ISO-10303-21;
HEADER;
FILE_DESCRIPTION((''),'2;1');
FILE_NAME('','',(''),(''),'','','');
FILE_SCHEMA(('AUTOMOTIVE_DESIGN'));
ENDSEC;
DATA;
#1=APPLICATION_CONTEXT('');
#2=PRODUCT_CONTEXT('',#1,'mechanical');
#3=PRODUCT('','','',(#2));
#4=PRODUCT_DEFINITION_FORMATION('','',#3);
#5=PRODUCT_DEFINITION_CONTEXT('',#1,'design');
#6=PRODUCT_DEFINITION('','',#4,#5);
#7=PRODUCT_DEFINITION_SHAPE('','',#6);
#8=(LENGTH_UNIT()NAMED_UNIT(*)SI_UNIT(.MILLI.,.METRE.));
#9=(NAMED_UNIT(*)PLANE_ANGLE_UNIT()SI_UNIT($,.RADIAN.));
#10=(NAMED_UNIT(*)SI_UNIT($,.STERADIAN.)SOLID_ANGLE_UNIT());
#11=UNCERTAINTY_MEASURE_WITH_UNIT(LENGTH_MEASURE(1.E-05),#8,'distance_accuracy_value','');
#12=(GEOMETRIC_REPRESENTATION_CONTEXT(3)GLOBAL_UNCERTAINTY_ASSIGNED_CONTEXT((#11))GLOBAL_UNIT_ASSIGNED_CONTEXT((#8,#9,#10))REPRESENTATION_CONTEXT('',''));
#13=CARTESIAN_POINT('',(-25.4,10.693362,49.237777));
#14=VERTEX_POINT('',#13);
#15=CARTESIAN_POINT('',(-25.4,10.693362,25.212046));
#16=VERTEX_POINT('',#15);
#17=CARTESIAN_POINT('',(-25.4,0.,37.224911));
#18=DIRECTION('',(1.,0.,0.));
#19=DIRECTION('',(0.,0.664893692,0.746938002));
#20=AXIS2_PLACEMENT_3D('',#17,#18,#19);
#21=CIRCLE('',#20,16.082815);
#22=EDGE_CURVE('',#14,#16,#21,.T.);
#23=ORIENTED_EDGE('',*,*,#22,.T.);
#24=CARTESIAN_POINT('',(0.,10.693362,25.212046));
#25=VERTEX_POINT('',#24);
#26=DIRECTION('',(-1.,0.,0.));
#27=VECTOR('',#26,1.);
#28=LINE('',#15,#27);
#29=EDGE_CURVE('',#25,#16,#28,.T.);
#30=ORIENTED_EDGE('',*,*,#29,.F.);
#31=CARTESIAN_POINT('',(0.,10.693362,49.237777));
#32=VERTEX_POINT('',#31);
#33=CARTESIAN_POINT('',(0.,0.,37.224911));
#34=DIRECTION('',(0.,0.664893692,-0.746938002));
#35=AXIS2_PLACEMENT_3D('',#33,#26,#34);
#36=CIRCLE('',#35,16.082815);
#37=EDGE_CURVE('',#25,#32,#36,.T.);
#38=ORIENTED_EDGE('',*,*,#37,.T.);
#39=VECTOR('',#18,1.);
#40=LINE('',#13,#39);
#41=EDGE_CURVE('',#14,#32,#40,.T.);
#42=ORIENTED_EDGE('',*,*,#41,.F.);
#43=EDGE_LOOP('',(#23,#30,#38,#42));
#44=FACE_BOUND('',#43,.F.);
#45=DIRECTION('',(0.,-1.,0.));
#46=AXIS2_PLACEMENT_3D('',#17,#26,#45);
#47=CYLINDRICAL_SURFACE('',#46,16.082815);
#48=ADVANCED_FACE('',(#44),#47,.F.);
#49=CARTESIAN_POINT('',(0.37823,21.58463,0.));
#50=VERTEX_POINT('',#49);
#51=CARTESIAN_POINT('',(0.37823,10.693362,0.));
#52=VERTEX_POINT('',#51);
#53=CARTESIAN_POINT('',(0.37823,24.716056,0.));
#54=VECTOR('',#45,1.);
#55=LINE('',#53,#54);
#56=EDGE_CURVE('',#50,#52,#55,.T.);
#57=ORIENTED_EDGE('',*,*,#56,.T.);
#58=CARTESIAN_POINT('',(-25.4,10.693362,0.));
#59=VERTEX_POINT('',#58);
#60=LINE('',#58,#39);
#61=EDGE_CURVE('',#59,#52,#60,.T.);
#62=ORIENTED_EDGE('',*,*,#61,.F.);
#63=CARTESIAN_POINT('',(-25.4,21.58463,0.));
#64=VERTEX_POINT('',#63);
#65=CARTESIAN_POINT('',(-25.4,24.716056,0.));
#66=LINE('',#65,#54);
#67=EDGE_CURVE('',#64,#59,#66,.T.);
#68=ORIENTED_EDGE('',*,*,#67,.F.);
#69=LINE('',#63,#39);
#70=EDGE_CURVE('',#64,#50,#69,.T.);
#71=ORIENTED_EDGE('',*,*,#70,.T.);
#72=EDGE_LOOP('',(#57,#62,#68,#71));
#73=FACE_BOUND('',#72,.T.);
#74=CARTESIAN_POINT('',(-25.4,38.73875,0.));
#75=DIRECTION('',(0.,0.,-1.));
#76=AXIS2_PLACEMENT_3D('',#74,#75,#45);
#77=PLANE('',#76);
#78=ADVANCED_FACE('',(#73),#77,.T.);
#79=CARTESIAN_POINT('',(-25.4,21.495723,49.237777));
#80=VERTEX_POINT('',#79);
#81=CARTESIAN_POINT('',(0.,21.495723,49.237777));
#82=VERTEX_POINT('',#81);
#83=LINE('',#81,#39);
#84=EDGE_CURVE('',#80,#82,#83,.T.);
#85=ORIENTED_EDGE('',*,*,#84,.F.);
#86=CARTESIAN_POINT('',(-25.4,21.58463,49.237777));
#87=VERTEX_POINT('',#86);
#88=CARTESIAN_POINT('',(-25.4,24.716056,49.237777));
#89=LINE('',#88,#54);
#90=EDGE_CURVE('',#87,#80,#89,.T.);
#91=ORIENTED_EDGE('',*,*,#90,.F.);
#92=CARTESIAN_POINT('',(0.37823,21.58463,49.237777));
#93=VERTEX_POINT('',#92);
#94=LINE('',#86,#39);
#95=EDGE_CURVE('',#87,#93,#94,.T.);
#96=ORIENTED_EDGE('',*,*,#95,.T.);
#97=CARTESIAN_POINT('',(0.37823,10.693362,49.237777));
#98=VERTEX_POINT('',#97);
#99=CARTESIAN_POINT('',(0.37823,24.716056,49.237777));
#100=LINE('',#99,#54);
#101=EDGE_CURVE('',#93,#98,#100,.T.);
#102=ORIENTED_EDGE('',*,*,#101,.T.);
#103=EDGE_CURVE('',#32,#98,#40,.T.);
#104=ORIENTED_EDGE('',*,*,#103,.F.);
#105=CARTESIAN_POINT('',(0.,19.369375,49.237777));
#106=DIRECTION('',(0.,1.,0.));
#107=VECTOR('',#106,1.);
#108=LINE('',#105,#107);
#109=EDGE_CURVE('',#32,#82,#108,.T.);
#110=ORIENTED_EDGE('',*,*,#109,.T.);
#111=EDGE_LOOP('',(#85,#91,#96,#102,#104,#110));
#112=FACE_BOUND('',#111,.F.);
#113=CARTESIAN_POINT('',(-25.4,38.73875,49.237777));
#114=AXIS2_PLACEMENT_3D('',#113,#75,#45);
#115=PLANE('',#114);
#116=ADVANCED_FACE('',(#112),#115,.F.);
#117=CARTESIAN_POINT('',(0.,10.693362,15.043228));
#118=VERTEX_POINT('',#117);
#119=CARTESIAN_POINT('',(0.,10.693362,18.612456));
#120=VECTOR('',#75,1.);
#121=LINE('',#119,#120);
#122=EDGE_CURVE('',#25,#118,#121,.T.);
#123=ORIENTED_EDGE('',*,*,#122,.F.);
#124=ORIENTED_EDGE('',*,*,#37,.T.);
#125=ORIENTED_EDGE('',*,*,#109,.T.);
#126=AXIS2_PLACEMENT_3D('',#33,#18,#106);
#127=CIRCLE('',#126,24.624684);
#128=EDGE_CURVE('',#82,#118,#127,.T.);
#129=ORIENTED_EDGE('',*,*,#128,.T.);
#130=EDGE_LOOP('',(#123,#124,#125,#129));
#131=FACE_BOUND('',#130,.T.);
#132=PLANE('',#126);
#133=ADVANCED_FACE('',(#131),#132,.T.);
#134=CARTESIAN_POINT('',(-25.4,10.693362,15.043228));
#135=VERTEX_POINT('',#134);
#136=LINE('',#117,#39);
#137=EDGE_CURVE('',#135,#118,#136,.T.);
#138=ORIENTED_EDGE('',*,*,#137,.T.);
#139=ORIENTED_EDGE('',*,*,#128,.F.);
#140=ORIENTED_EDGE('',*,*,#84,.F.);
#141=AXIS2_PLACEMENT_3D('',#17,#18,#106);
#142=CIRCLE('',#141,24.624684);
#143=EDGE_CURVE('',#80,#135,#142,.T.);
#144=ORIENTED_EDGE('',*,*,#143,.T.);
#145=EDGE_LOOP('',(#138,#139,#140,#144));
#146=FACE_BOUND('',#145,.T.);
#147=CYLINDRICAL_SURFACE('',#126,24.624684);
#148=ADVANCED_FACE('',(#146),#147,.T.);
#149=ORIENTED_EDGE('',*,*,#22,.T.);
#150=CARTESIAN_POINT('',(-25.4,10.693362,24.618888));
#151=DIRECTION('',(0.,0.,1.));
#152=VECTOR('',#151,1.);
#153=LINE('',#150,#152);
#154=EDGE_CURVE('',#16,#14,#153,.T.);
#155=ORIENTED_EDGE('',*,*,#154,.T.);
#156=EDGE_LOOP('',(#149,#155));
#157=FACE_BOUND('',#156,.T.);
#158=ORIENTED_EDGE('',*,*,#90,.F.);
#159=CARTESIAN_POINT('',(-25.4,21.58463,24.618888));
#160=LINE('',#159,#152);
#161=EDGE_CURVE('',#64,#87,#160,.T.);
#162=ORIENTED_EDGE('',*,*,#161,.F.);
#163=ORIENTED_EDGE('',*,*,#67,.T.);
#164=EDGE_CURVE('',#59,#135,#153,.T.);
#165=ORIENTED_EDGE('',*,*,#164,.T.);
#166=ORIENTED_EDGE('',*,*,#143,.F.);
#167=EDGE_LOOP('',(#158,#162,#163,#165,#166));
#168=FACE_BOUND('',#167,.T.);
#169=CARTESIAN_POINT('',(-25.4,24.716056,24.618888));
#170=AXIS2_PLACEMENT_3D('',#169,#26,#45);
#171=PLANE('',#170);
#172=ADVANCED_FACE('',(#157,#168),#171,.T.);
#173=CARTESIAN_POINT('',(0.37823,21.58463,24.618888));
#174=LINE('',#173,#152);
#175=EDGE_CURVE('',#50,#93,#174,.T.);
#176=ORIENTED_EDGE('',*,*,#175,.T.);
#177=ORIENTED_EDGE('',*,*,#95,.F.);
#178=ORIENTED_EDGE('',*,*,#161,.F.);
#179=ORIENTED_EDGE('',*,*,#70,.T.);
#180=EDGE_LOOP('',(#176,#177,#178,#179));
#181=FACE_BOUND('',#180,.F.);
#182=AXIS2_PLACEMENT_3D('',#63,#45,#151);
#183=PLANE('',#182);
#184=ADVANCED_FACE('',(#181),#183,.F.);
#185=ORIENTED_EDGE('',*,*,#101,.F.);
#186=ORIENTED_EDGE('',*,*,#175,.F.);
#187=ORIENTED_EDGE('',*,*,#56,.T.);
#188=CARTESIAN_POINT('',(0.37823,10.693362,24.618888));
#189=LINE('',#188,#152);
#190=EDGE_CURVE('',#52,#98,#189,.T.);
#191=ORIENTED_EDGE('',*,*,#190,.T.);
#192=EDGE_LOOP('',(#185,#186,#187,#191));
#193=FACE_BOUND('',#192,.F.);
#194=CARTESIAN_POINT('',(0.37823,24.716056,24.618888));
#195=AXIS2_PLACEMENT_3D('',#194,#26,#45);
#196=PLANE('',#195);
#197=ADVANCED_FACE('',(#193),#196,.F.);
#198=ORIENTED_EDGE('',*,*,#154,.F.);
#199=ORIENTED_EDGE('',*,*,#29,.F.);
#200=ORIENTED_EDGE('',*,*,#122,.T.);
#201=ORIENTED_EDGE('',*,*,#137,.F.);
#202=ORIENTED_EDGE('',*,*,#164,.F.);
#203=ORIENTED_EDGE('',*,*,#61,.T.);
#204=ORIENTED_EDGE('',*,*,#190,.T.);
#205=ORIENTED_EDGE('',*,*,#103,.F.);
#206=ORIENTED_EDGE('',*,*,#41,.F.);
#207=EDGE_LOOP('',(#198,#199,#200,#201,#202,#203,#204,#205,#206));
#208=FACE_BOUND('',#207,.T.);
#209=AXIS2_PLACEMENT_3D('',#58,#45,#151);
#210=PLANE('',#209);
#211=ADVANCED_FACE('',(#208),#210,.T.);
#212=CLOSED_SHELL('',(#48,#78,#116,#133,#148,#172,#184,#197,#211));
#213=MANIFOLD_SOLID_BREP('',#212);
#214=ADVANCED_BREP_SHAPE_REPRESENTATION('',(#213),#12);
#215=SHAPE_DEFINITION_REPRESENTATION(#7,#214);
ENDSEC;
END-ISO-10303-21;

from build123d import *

# Parameters (mm, degrees)
F0_R     = 24.6246836301
F1_DEPTH = 25.4
F2_R     = 16.0828148766
F3_DEPTH = 25.401
F4_W     = 28.0453877614
F4_H     = 49.2377767596
F5_DEPTH = 25.77823
F6_DEPTH = 17.15412


with BuildPart() as f1:
    # F0 (on Right) → F1 (new body)
    with BuildSketch(Plane.YZ):
        with Locations((0, 37.2249111533)):
            Circle(F0_R)
    extrude(amount=-F1_DEPTH)

    # F2 (on face) → F3 (cut, through all)
    with BuildSketch(Plane(origin=(-25.4, 0, 0), x_dir=(0, -1, 0), z_dir=(-1, 0, 0))):
        with Locations((0, 37.2249111533)):
            Circle(F2_R)
    extrude(amount=-F3_DEPTH, mode=Mode.SUBTRACT)

    # F4 (on face) → F5 (join)
    with BuildSketch(Plane(origin=(-25.4, 0, 0), x_dir=(0, -1, 0), z_dir=(-1, 0, 0))):
        with Locations((-24.7160560406, 24.6188883798)):
            Rectangle(F4_W, F4_H)
    extrude(amount=-F5_DEPTH)

    # F6 (cut): a face of the model
    f6_faces = [f1.faces().sort_by_distance(p)[0] for p in [
        (-12.510885, 38.7387499213, 24.6188883798),
    ]]
    extrude(f6_faces, amount=-F6_DEPTH, mode=Mode.SUBTRACT)


solid = f1.part
